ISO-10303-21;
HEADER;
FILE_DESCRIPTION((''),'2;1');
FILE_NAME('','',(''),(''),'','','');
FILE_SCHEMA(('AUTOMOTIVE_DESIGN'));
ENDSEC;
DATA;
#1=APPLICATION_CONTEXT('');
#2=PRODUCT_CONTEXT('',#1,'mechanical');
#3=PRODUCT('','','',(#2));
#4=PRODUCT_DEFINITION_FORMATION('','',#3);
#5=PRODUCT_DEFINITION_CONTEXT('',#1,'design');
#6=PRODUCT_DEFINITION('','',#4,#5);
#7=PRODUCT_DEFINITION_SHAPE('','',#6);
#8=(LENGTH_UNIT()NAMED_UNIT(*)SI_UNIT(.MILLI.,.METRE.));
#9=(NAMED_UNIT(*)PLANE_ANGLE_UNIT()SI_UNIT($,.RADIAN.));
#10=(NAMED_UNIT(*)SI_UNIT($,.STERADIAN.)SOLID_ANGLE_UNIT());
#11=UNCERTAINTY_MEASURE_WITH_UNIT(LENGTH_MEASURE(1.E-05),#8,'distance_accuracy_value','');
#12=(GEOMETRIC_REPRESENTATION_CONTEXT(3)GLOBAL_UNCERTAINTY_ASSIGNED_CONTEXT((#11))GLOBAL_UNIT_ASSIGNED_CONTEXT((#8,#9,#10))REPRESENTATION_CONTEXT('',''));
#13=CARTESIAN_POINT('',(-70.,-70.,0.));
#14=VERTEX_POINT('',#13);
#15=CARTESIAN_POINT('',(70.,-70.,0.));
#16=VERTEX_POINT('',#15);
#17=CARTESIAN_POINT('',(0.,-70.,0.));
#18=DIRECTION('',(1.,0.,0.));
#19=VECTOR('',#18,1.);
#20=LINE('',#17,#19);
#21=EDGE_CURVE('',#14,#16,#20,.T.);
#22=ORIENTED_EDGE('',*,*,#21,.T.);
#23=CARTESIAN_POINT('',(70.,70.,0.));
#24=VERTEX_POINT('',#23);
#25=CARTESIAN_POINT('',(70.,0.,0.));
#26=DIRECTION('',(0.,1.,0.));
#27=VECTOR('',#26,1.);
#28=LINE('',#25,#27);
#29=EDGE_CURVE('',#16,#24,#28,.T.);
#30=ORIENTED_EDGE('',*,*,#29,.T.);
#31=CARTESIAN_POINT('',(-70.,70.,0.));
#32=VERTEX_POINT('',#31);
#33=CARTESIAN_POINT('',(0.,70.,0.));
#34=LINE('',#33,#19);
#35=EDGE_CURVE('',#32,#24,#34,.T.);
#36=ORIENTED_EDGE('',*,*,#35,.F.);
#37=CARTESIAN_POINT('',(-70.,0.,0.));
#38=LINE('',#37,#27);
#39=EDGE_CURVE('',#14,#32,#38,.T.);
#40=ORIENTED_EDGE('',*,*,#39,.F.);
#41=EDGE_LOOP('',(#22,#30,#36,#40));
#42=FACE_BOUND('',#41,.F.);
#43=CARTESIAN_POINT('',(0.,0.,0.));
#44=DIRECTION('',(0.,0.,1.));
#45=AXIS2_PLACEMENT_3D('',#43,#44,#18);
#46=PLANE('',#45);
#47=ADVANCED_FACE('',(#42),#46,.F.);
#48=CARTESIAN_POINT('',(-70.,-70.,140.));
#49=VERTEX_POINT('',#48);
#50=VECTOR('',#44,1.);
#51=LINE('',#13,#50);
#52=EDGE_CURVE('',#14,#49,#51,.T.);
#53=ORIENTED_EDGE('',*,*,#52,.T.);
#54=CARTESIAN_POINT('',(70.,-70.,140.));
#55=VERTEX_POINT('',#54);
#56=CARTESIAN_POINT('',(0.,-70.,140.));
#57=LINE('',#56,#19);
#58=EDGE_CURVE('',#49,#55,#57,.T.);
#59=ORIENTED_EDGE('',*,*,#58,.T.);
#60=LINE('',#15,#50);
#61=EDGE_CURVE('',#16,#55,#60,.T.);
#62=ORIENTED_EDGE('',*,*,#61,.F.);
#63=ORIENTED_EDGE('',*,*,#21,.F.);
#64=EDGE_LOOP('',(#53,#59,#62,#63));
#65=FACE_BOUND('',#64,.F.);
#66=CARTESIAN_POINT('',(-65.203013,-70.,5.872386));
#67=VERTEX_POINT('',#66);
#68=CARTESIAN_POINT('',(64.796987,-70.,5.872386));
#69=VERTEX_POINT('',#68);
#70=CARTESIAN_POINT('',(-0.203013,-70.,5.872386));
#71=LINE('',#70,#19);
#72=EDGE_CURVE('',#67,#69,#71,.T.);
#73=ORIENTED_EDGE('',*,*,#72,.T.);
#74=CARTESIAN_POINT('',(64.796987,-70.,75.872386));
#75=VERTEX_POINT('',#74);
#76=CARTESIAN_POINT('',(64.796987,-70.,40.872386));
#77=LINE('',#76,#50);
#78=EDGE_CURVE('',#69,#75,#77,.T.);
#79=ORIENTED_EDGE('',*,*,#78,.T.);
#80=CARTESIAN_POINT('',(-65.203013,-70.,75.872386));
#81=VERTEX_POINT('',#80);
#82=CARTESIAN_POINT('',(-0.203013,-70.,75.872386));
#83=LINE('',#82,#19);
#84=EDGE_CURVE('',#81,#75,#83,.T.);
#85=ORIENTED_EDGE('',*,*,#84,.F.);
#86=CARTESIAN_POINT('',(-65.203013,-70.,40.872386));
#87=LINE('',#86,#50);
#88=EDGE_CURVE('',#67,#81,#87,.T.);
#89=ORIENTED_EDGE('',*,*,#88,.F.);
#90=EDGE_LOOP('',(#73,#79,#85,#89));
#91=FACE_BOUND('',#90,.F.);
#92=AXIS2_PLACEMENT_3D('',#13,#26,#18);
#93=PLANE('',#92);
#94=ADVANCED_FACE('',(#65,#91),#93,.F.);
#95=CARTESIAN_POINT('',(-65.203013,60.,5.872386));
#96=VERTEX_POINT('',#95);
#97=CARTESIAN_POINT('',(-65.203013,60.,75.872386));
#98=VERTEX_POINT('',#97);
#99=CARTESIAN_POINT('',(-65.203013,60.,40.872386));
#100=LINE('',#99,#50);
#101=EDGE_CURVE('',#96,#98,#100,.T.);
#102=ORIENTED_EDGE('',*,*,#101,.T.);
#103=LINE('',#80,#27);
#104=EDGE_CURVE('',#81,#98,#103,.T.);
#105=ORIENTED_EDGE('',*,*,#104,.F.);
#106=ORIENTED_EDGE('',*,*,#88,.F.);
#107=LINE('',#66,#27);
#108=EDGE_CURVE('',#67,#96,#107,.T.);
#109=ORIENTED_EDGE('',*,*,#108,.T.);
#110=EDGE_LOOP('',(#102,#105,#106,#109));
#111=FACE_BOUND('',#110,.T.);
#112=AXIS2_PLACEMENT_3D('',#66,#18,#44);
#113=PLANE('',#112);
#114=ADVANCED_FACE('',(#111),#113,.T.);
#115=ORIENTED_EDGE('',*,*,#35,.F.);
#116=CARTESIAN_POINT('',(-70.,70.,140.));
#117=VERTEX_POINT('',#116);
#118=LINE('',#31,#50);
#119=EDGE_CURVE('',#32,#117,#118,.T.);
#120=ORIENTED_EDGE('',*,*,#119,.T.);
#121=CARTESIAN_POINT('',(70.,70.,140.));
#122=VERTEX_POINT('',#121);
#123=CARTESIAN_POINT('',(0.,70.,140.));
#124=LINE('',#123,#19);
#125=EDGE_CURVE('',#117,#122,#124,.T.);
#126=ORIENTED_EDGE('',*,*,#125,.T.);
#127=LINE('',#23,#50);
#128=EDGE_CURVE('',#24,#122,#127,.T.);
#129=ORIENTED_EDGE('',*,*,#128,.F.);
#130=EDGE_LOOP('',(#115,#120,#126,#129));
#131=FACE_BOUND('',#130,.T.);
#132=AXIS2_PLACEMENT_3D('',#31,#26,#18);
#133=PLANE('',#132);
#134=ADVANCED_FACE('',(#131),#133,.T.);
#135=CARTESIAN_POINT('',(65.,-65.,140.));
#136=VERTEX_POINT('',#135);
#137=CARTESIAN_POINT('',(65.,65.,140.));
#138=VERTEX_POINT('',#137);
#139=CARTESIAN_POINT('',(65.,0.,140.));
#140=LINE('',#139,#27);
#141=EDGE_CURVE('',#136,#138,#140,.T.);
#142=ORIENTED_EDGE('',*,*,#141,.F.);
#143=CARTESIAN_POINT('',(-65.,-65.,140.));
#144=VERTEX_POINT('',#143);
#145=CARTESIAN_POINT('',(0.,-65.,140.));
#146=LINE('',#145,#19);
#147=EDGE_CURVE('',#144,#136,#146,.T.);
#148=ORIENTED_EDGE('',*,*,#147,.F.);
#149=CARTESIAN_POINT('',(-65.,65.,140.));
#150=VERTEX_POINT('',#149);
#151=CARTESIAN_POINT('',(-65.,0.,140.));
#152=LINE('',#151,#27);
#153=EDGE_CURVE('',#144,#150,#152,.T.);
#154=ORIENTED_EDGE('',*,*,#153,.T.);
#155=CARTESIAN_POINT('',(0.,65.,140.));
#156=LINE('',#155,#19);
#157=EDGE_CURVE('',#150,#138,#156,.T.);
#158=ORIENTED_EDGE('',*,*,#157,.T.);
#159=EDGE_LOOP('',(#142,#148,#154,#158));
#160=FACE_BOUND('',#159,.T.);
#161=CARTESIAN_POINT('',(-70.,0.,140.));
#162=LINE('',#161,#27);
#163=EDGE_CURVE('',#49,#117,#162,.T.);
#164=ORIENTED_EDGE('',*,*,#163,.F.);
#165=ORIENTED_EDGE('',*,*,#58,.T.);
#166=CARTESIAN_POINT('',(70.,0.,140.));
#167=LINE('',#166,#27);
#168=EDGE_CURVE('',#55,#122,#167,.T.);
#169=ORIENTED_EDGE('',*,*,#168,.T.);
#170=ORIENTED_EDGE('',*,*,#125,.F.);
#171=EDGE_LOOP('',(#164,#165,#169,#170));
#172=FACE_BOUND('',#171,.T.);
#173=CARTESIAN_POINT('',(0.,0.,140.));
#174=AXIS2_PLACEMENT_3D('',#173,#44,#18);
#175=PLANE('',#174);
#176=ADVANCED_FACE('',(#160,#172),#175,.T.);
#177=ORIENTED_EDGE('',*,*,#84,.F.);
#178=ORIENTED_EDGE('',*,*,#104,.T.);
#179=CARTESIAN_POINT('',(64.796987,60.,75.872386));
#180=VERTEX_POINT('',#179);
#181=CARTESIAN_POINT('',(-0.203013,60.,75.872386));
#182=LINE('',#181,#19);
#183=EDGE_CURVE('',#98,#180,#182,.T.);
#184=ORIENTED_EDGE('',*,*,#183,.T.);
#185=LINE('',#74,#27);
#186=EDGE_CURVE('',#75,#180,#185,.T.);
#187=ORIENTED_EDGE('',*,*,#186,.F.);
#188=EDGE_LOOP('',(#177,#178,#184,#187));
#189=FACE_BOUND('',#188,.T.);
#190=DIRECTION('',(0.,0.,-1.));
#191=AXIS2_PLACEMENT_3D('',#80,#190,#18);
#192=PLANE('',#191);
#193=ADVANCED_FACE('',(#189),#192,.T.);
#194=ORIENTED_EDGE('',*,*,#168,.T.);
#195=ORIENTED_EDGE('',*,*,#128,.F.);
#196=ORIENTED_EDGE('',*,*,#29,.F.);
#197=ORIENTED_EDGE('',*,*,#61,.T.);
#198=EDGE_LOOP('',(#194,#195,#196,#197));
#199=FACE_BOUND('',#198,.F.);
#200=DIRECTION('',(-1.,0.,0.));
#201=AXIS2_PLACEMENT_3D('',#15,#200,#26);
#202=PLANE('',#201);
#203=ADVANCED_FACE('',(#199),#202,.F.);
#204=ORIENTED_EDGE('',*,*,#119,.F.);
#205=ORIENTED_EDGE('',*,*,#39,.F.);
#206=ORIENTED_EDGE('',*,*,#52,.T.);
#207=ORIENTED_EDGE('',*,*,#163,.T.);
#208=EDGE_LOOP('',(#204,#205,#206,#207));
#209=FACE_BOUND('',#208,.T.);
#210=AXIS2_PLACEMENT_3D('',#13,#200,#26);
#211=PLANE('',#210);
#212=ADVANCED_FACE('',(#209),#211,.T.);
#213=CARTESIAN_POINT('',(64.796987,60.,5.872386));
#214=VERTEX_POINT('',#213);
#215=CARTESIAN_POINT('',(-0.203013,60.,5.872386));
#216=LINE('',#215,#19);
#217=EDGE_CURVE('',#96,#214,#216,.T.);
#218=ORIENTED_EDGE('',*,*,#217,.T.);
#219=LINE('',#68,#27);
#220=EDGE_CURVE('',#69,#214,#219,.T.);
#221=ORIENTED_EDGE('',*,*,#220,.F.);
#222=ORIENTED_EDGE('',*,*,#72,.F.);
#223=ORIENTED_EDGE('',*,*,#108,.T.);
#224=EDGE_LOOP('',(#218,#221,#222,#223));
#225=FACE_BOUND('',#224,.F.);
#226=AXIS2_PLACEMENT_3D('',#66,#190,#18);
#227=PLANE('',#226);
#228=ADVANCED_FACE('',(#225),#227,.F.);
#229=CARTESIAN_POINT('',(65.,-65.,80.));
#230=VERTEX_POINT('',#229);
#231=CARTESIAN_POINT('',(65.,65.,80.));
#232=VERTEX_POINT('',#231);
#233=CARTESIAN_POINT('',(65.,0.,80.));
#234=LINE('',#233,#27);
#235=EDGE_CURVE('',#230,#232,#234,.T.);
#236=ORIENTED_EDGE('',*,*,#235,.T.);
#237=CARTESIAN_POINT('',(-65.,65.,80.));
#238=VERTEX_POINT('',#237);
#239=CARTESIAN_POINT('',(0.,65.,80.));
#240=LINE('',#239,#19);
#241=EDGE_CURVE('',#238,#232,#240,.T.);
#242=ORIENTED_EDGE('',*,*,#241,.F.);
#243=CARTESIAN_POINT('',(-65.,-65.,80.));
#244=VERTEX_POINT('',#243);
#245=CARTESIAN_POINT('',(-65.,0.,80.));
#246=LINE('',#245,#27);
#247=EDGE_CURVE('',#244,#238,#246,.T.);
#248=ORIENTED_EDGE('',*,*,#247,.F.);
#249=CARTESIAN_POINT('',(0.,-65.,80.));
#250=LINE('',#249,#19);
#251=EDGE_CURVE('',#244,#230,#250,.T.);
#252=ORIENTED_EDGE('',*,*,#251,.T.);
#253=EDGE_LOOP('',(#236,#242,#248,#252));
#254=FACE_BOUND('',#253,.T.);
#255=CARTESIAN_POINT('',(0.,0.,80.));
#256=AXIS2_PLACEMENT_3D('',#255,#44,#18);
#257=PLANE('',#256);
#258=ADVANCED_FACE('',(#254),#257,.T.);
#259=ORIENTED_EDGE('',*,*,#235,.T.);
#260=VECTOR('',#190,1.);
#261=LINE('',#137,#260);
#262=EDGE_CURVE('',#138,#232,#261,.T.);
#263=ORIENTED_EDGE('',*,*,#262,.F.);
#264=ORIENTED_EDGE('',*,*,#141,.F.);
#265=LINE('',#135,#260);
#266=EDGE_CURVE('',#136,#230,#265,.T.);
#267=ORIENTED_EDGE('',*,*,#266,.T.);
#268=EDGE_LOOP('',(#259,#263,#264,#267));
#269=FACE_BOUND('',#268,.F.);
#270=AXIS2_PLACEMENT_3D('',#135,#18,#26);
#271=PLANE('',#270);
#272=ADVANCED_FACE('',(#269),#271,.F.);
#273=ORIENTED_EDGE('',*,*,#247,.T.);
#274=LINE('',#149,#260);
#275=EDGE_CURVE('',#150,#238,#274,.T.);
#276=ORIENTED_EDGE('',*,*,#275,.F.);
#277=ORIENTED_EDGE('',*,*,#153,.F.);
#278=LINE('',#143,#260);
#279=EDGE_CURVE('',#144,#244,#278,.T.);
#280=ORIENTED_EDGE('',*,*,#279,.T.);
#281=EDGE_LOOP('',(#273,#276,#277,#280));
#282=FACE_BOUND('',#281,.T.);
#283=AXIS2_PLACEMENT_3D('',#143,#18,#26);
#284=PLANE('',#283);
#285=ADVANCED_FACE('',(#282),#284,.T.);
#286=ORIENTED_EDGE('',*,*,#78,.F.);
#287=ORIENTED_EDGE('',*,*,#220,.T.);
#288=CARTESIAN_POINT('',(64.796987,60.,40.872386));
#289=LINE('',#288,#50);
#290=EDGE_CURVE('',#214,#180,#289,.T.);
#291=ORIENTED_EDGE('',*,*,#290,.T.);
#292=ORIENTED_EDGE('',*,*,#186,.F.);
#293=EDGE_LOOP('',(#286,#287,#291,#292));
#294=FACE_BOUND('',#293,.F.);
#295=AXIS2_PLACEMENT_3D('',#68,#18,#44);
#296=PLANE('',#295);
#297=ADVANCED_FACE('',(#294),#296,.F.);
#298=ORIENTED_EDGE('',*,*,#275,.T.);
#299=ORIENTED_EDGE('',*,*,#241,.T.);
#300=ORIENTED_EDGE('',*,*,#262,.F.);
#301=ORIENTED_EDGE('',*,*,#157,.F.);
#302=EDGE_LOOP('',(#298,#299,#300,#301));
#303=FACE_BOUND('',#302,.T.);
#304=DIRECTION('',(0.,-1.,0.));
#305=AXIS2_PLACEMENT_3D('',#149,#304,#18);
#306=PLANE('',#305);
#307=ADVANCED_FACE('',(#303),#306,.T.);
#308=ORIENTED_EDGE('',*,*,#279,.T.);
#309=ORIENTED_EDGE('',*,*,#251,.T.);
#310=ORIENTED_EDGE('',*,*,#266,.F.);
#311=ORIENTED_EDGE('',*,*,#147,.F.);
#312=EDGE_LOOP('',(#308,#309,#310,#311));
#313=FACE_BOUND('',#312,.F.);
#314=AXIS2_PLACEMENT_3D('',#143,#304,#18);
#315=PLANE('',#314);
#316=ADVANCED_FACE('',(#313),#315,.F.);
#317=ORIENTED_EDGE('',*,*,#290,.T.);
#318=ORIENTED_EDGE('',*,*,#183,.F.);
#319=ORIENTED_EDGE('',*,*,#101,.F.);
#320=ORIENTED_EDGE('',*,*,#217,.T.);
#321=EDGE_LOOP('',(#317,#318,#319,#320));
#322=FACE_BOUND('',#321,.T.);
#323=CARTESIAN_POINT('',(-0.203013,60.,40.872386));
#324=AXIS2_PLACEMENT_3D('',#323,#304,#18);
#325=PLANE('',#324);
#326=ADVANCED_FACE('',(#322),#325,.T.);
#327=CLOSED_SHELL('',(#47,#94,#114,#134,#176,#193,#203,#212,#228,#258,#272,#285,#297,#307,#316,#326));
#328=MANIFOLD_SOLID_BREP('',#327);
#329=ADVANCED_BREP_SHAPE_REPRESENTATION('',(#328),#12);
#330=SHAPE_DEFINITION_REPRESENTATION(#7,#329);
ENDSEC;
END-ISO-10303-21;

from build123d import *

# Parameters (mm, degrees)
F0_W     = 140
F0_H     = 140
F1_DEPTH = 140
F2_W     = 130
F2_H     = 130
F3_DEPTH = 60
F4_W     = 130
F4_H     = 70
F5_DEPTH = 130


with BuildPart() as f1:
    # F0 (on Top) → F1 (new body)
    with BuildSketch(Plane.XY):
        Rectangle(F0_W, F0_H)
    extrude(amount=F1_DEPTH)

    # F2 (on face) → F3 (cut)
    with BuildSketch(Plane.XY.offset(140)):
        Rectangle(F2_W, F2_H)
    extrude(amount=-F3_DEPTH, mode=Mode.SUBTRACT)

    # F4 (on face) → F5 (cut)
    with BuildSketch(Plane.XZ.offset(70)):
        with Locations((-0.203013, 40.872386)):
            Rectangle(F4_W, F4_H)
    extrude(amount=-F5_DEPTH, mode=Mode.SUBTRACT)


solid = f1.part
